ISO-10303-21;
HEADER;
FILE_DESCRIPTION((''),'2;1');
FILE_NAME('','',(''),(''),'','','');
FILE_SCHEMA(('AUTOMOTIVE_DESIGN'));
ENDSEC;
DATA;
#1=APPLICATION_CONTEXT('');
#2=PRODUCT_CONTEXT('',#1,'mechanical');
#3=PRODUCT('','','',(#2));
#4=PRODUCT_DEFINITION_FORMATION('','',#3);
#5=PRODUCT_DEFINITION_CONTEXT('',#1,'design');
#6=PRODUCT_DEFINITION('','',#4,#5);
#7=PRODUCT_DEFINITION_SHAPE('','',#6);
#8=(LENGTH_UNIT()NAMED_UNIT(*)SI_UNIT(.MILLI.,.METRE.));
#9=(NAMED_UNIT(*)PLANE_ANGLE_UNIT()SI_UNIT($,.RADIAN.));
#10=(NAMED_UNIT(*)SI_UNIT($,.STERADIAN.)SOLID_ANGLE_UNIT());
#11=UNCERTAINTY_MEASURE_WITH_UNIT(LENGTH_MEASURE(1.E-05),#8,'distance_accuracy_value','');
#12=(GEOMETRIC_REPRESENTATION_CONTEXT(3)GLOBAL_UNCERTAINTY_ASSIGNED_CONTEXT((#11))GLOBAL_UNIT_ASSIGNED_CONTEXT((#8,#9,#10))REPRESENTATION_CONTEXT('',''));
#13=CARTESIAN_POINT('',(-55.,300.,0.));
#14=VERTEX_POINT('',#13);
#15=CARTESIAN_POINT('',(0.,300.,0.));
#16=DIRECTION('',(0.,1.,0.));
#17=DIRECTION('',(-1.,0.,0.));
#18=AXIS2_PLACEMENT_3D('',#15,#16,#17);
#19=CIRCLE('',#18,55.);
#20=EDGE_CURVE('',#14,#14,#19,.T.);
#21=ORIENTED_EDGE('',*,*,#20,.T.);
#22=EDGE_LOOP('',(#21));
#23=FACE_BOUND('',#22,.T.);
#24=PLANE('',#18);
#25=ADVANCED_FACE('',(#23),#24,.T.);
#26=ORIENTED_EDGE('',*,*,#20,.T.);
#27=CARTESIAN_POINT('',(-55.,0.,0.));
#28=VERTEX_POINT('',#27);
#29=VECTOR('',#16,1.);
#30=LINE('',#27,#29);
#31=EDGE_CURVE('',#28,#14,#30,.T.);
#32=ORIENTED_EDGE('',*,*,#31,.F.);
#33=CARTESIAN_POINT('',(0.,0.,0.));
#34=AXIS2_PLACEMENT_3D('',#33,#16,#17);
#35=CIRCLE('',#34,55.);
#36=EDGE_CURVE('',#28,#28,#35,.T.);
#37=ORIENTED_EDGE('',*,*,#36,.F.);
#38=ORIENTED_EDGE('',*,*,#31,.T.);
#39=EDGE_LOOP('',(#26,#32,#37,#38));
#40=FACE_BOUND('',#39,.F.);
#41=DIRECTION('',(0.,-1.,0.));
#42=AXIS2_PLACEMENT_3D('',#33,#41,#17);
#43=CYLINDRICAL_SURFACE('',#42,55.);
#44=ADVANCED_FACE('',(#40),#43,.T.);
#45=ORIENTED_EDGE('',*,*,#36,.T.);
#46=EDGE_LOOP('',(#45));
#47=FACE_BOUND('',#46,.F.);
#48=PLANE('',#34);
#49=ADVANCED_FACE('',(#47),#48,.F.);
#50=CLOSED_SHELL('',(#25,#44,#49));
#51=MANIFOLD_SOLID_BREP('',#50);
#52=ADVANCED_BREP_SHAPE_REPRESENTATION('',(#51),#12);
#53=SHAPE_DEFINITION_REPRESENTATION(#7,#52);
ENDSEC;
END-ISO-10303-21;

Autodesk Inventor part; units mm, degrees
ref_plane "YZ Plane" through (0, 0, 0) normal (1, 0, 0) x (0, 1, 0)
ref_plane "XZ Plane" through (0, 0, 0) normal (0, 1, 0) x (-1, 0, 0)
ref_plane "XY Plane" through (0, 0, 0) normal (0, 0, 1) x (1, 0, 0)
sketch "Sketch1" plane through (0, 0, 0) normal (0, 1, 0) x (-1, 0, 0)
  circle A0 centre (0, 0) radius 55
  dimension "d0" = 110
extrude "Extrusion1" add sketch "Sketch1" along normal blind 300
properties part number "furniture"
